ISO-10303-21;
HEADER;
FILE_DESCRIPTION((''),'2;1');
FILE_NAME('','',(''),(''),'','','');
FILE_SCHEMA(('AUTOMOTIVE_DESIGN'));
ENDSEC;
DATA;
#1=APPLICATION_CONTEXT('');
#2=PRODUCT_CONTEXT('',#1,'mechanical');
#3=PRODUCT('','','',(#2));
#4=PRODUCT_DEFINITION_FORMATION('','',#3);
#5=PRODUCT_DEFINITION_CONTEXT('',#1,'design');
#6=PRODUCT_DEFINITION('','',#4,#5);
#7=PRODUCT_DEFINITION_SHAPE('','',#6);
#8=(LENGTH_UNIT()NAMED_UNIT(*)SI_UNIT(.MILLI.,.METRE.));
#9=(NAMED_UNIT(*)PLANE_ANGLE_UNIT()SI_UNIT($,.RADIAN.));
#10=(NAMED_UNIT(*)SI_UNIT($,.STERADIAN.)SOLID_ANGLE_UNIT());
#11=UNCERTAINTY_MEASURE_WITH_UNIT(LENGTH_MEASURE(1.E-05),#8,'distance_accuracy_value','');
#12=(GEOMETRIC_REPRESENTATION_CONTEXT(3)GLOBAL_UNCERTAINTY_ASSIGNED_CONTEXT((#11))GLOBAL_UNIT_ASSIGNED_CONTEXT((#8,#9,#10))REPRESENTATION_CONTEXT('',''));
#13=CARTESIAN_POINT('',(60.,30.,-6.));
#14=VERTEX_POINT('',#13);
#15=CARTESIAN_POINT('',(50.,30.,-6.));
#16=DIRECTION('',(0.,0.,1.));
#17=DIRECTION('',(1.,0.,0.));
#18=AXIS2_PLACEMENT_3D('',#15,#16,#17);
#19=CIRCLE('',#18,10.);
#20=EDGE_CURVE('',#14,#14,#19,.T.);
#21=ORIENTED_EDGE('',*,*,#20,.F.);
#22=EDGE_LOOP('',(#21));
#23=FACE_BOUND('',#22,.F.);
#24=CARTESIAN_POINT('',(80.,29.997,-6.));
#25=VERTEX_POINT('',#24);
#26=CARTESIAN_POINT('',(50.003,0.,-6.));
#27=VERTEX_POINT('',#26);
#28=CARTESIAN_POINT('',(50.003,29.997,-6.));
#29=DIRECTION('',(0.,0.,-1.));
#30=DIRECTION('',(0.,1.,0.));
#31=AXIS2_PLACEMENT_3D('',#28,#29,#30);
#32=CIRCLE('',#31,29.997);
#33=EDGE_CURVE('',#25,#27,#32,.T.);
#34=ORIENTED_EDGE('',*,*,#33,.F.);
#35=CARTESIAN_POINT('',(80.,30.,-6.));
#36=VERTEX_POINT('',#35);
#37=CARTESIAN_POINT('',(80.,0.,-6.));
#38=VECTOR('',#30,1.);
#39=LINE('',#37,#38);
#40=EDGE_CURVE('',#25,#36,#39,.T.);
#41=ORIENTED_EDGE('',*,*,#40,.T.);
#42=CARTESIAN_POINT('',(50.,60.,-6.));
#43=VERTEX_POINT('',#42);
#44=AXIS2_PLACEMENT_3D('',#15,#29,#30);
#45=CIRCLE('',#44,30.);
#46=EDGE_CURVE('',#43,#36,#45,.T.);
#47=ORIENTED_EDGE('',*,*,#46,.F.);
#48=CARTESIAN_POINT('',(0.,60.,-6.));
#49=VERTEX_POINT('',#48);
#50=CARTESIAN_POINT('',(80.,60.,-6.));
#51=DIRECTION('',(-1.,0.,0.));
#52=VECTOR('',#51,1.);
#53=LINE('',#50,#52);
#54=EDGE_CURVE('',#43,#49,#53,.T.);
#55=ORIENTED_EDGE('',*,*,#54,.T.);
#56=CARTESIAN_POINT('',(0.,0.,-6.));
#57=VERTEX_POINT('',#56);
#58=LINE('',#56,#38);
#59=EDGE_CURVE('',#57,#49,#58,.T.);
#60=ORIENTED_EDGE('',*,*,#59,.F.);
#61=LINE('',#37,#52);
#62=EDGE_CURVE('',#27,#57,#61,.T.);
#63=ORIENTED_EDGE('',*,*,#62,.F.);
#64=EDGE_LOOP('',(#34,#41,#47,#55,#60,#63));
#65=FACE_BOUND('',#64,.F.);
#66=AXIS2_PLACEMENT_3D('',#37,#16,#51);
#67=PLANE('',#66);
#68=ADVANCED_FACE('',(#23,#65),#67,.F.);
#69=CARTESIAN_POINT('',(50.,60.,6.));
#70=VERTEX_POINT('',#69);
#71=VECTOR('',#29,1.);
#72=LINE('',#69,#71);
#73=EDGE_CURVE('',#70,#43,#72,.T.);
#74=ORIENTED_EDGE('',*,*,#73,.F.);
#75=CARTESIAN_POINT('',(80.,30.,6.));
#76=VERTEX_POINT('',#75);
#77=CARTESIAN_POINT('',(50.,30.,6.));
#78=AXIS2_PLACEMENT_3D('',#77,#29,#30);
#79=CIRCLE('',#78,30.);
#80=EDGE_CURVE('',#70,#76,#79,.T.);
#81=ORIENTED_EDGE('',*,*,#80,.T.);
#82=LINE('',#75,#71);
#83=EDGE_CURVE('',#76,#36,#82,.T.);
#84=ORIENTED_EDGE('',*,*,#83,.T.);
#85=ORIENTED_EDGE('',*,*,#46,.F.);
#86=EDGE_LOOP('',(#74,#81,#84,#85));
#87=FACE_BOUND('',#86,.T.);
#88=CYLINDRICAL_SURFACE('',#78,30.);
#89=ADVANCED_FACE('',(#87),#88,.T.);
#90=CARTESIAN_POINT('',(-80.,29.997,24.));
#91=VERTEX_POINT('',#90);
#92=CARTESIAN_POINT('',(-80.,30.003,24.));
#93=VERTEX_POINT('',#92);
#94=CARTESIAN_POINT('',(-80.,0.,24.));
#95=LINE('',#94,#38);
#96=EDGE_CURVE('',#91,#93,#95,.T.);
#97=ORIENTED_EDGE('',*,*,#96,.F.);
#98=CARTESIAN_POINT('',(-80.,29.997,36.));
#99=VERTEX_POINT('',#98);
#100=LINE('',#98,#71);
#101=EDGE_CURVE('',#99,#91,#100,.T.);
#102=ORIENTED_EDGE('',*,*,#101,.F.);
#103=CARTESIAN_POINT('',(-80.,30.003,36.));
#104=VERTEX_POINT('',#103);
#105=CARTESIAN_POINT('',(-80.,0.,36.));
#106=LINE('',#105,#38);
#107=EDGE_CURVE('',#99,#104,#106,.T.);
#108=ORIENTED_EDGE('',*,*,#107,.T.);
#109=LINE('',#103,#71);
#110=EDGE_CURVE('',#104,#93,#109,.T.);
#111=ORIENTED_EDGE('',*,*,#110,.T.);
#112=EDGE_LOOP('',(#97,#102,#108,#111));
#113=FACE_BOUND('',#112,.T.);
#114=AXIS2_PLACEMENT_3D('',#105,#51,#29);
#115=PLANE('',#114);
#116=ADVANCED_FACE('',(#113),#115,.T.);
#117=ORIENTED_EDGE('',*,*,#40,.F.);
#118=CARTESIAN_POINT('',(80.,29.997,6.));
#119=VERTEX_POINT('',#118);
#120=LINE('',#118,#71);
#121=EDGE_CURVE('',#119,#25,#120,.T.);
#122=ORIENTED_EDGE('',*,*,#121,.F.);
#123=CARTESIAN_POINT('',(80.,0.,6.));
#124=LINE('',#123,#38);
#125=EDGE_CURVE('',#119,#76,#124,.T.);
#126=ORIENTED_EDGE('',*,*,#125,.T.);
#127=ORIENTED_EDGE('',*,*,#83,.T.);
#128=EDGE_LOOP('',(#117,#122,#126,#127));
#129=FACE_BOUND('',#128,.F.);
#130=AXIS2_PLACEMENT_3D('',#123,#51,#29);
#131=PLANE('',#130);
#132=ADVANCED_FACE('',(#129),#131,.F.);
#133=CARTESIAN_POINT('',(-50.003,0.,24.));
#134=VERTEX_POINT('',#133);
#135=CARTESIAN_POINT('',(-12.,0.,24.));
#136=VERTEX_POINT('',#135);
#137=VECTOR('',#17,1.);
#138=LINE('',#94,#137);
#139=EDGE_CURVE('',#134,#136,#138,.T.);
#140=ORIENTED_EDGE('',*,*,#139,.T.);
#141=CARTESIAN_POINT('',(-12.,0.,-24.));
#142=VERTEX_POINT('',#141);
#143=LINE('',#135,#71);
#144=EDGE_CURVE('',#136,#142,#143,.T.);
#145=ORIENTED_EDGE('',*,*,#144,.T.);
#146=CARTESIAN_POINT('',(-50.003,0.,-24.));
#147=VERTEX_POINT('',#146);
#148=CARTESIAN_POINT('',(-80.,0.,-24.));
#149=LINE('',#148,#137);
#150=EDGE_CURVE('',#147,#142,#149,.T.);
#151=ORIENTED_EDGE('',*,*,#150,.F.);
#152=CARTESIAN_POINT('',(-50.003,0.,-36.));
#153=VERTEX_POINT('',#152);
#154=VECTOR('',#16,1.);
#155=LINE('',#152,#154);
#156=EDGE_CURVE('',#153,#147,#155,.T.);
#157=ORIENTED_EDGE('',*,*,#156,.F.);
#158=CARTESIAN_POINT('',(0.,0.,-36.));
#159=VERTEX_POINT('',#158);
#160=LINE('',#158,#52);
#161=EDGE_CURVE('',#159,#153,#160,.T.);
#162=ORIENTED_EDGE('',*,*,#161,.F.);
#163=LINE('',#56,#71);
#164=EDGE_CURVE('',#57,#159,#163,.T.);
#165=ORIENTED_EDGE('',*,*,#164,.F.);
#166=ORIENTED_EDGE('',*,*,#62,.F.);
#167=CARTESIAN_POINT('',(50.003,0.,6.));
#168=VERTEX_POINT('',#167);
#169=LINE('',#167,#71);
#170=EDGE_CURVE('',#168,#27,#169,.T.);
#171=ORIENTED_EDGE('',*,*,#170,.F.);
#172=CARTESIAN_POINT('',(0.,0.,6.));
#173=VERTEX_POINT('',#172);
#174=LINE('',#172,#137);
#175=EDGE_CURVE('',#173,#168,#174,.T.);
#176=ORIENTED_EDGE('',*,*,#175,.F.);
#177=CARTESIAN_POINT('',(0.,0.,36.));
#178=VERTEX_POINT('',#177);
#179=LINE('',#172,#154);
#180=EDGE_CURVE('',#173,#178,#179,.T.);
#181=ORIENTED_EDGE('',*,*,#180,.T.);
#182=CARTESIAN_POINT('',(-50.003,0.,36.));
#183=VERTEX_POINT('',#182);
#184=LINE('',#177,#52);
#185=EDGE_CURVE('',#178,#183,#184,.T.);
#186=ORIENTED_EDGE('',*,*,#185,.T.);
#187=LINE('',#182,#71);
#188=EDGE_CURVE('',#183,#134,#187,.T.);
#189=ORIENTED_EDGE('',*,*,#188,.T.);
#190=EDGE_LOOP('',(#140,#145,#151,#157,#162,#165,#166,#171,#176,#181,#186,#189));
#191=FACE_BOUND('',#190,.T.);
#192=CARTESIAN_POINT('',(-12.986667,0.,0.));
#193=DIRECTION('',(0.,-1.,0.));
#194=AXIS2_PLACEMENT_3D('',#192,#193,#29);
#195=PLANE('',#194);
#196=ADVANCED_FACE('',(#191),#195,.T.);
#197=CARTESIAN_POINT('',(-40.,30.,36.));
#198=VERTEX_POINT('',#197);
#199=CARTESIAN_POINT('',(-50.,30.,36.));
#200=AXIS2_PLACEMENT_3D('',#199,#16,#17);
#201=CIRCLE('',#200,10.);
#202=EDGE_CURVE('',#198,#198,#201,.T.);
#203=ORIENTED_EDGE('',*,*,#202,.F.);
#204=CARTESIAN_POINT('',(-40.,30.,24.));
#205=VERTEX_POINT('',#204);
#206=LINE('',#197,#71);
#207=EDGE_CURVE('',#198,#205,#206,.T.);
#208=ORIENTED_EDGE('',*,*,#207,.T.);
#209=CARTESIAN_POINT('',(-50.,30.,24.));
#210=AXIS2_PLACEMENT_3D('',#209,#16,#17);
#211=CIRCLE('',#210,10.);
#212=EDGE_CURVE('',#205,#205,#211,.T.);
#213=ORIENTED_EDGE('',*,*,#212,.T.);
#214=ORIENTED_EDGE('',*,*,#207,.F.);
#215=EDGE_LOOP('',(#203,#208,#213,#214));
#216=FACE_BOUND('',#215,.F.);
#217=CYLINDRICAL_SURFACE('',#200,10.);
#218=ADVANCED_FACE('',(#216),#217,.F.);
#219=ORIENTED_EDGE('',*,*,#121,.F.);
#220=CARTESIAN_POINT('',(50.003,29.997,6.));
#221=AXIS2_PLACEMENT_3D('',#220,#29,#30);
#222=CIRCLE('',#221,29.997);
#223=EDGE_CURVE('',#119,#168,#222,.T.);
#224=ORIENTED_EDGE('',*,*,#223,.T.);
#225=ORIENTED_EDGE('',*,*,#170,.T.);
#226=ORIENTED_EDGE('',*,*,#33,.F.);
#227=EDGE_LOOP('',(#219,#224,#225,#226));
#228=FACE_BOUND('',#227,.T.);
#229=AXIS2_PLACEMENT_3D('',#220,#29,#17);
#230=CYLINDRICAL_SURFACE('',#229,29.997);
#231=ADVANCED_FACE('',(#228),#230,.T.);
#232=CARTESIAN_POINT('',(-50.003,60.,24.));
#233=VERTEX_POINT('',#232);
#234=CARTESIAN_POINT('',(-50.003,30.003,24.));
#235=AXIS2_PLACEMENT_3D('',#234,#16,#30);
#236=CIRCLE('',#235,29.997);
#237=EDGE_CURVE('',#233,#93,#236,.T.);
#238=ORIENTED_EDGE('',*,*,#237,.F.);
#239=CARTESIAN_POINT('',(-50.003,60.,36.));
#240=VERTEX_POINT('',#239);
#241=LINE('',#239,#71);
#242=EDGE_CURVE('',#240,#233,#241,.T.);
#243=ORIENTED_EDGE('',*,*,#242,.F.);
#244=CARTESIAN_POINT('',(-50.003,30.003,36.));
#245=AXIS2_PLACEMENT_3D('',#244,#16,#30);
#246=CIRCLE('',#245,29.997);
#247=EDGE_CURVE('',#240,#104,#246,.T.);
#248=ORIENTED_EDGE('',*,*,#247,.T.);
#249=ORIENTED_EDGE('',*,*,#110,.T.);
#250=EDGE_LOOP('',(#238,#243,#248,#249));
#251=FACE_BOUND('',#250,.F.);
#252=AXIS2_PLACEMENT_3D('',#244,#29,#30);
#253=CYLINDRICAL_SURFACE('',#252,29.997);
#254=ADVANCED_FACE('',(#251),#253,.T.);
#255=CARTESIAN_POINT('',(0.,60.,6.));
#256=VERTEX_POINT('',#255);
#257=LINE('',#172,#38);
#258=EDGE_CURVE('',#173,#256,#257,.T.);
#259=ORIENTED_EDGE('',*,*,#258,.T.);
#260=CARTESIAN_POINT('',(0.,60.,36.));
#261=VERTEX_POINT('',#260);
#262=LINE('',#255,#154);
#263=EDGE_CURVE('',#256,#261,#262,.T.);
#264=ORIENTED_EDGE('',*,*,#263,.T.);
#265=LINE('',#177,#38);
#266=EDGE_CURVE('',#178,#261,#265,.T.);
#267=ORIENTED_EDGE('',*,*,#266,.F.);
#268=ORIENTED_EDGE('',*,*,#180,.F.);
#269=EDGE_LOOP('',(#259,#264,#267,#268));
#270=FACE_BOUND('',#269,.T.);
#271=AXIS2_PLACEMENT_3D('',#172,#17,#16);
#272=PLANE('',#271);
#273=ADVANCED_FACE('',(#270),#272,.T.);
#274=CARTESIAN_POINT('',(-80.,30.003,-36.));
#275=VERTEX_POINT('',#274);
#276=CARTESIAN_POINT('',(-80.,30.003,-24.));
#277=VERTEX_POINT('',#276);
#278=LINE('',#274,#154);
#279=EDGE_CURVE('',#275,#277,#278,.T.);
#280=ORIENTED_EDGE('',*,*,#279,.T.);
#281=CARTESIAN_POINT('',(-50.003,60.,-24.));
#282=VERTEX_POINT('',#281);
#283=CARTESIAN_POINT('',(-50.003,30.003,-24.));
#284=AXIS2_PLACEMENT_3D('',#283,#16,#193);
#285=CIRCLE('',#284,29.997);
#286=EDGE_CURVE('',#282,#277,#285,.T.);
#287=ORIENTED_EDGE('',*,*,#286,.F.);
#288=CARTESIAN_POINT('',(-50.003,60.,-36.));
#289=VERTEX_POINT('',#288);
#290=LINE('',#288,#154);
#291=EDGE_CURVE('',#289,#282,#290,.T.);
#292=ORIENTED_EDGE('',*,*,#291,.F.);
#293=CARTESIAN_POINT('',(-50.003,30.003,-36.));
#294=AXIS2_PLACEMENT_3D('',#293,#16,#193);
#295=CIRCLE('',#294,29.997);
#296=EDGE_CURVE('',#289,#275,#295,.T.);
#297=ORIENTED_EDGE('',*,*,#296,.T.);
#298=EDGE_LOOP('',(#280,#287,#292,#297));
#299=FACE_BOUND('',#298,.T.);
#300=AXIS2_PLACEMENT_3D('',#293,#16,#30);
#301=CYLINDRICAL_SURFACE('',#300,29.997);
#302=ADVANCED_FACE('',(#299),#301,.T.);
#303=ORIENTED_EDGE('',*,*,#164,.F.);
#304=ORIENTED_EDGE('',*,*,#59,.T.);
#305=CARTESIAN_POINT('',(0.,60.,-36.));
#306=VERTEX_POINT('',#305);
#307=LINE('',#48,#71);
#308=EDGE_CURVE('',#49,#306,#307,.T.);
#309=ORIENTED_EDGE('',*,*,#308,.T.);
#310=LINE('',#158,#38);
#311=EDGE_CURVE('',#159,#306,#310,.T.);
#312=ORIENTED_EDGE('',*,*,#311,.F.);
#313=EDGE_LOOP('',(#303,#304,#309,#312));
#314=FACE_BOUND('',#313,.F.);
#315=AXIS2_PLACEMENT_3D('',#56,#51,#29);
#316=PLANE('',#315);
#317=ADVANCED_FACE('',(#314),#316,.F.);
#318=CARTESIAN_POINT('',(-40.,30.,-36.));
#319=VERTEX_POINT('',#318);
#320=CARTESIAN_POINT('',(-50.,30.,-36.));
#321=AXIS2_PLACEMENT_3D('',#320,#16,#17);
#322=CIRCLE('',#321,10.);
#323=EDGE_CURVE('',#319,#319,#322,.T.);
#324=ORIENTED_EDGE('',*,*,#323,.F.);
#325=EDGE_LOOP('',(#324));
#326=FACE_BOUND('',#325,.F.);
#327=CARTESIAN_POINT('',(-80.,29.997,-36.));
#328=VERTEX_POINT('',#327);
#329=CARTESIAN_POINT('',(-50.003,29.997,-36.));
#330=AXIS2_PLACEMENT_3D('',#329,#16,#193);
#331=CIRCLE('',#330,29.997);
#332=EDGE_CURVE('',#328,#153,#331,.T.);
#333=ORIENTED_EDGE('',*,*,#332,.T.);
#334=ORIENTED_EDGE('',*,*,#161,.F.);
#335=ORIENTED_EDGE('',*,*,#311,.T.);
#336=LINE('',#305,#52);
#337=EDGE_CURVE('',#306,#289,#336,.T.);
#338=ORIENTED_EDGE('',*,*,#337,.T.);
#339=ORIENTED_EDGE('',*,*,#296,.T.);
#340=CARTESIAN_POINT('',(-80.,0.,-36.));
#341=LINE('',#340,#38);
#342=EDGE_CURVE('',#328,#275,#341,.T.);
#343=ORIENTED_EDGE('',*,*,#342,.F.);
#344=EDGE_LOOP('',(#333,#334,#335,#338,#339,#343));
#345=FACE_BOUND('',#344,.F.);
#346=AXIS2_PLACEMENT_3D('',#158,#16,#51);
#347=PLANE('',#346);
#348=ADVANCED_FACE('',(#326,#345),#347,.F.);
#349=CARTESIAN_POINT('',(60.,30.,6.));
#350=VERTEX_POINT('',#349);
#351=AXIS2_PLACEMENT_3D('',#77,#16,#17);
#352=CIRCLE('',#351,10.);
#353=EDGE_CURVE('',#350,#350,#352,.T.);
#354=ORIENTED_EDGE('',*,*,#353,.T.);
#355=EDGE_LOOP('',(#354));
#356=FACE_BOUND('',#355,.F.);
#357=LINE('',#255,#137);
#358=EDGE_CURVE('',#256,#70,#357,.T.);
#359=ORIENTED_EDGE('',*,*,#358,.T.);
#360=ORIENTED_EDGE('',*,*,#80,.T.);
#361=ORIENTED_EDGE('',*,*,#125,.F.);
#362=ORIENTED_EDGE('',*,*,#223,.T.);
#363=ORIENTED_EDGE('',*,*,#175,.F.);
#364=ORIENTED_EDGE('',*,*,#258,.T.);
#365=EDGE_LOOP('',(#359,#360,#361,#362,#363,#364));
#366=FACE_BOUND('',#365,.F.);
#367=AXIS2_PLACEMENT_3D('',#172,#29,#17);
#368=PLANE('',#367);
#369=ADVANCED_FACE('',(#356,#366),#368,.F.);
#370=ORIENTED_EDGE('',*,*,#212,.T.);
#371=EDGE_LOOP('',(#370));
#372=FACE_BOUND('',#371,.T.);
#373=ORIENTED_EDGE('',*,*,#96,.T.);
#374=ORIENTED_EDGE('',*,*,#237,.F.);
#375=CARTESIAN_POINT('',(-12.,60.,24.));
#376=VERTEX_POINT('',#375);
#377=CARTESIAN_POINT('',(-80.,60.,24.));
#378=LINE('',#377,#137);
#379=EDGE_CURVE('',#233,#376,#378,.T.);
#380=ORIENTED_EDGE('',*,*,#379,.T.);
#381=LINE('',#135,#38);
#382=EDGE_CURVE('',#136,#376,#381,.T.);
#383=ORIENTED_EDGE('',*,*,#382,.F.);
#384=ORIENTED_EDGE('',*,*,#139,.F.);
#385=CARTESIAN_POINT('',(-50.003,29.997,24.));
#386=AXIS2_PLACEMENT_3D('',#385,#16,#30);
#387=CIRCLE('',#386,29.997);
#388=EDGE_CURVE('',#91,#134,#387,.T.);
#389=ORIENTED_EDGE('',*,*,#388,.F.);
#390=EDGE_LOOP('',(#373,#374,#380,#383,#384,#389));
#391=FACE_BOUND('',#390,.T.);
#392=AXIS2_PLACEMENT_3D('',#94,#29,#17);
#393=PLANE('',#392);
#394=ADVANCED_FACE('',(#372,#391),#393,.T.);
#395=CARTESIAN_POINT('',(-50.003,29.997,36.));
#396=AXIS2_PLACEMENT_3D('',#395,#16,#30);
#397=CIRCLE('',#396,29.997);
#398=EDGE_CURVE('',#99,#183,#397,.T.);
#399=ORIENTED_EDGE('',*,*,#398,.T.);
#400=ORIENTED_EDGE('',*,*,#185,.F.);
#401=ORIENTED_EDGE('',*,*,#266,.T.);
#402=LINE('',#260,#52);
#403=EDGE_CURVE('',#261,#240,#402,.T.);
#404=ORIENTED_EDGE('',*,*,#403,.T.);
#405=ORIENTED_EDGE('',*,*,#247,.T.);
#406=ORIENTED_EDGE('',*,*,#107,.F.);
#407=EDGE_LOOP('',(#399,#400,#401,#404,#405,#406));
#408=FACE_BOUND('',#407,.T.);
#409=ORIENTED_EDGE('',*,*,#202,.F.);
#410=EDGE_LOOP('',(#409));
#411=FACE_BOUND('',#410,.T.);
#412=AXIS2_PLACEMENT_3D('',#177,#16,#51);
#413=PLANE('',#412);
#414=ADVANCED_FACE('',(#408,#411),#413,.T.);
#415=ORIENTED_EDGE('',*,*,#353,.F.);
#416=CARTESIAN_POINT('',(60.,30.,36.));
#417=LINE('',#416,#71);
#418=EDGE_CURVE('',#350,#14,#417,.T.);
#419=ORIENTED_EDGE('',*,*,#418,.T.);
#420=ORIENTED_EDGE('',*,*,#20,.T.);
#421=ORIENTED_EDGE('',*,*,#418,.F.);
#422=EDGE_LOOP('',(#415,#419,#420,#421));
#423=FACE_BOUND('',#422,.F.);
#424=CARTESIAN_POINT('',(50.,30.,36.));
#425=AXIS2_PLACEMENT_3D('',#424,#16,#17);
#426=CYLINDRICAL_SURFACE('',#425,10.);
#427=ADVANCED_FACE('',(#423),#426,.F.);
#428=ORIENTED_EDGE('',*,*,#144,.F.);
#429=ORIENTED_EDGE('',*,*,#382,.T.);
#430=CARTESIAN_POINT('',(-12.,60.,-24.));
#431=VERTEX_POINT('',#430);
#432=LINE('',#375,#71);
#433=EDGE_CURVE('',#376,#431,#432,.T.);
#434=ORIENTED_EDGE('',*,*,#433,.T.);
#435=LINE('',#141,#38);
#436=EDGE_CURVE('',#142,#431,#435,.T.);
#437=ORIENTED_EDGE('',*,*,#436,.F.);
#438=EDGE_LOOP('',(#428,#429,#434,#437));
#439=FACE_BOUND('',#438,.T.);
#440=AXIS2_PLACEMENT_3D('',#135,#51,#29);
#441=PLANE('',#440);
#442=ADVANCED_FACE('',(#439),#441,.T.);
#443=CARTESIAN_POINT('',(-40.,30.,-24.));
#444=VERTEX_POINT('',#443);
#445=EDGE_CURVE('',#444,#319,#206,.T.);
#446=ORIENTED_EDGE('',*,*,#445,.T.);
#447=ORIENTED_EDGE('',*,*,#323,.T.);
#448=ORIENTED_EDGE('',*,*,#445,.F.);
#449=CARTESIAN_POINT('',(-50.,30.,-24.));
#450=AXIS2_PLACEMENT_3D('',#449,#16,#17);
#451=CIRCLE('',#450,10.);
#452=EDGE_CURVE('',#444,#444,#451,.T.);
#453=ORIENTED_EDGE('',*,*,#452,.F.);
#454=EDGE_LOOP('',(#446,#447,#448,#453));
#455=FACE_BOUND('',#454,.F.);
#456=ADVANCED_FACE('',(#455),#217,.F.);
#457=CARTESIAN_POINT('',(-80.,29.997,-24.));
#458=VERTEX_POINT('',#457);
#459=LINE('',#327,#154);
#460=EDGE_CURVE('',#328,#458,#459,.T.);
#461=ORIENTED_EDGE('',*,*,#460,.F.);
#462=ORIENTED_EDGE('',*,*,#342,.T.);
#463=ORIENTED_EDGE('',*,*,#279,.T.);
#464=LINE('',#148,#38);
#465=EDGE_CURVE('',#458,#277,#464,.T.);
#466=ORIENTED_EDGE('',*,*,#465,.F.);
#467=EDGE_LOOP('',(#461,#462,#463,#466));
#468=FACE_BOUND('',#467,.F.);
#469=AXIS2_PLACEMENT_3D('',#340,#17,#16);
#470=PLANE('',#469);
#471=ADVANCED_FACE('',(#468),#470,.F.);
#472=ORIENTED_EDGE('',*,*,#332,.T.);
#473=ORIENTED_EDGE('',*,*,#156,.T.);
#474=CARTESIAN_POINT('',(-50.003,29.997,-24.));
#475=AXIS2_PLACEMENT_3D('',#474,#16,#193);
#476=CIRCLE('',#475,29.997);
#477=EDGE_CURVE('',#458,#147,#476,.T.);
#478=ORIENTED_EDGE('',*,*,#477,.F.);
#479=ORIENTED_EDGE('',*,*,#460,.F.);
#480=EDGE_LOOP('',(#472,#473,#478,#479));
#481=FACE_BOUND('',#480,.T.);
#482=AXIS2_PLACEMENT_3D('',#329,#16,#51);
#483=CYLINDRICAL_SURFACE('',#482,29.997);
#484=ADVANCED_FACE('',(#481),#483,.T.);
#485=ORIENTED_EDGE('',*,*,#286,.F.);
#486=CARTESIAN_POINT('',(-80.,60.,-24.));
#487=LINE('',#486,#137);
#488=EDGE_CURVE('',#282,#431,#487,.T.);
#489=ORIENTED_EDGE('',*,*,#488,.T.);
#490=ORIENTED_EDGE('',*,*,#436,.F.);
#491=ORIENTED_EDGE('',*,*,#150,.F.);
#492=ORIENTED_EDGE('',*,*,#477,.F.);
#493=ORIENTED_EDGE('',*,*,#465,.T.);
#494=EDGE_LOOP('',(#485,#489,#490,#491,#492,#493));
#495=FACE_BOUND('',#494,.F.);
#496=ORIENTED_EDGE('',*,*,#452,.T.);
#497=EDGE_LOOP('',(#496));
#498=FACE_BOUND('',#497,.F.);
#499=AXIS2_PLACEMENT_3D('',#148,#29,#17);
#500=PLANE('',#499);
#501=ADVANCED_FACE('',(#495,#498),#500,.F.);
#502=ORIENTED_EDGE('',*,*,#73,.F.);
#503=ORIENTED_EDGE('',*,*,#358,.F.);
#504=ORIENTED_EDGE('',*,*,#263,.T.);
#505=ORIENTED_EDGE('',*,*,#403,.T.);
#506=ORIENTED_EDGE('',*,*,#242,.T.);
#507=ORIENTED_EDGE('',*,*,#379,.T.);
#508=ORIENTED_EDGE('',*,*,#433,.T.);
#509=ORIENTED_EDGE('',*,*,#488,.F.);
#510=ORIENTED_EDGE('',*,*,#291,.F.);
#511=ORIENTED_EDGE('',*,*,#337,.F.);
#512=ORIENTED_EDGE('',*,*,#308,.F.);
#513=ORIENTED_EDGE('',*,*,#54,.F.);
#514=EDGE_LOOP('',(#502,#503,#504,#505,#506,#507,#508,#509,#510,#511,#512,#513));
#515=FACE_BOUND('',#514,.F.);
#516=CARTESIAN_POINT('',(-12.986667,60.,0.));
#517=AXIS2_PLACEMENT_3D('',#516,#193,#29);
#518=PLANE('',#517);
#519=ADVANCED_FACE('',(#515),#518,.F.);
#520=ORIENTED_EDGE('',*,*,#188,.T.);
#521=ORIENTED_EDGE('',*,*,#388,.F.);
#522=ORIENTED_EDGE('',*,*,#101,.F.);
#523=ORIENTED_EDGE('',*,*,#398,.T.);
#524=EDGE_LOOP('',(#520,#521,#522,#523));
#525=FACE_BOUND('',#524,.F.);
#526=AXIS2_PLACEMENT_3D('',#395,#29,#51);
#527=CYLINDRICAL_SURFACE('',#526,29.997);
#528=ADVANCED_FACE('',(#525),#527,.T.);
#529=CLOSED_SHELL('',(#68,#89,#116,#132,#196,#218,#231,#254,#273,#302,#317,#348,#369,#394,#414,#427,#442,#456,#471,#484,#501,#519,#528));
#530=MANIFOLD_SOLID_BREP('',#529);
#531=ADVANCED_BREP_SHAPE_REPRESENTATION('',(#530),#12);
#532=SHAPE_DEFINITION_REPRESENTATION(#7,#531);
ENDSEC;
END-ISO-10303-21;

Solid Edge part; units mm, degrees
sketch "Sketch1" plane through (0, 0, 0) normal (0, -1, 0) x (1, 0, 0)
  line L0 (0, 36) -> (-80, 36)
  line L1 (-80, 36) -> (-80, 24)
  line L2 (-80, 24) -> (-12, 24)
  line L3 (-12, 24) -> (-12, -24)
  line L4 (-80, -24) -> (-12, -24)
  line L5 (-80, -36) -> (-80, -24)
  line L6 (0, -36) -> (-80, -36)
  line L7 (0, -6) -> (0, -36)
  line L8 (80, -6) -> (0, -6)
  line L9 (80, 6) -> (80, -6)
  line L10 (0, 6) -> (80, 6)
  line L11 (0, 6) -> (0, 36)
extrude "Protrusion1" add sketch "Sketch1" against normal blind 60
sketch "Sketch2" plane through (-40, 30, 36) normal (0, 0, 1) x (1, 0, 0)
  circle A0 centre (90, 0) radius 10
  circle A1 centre (-10, 0) radius 10
extrude "ExtrudedCutout_1" cut sketch "Sketch2" against normal blind 72
fillet "Round_2" radius 30 1 edges at (80, 60, 0)
fillet "Round_3" radius 30 5 edges at (80, 0, 0) (-80, 0, 30) (-80, 0, -30) (-80, 60, -30) (-80, 60, 30)
